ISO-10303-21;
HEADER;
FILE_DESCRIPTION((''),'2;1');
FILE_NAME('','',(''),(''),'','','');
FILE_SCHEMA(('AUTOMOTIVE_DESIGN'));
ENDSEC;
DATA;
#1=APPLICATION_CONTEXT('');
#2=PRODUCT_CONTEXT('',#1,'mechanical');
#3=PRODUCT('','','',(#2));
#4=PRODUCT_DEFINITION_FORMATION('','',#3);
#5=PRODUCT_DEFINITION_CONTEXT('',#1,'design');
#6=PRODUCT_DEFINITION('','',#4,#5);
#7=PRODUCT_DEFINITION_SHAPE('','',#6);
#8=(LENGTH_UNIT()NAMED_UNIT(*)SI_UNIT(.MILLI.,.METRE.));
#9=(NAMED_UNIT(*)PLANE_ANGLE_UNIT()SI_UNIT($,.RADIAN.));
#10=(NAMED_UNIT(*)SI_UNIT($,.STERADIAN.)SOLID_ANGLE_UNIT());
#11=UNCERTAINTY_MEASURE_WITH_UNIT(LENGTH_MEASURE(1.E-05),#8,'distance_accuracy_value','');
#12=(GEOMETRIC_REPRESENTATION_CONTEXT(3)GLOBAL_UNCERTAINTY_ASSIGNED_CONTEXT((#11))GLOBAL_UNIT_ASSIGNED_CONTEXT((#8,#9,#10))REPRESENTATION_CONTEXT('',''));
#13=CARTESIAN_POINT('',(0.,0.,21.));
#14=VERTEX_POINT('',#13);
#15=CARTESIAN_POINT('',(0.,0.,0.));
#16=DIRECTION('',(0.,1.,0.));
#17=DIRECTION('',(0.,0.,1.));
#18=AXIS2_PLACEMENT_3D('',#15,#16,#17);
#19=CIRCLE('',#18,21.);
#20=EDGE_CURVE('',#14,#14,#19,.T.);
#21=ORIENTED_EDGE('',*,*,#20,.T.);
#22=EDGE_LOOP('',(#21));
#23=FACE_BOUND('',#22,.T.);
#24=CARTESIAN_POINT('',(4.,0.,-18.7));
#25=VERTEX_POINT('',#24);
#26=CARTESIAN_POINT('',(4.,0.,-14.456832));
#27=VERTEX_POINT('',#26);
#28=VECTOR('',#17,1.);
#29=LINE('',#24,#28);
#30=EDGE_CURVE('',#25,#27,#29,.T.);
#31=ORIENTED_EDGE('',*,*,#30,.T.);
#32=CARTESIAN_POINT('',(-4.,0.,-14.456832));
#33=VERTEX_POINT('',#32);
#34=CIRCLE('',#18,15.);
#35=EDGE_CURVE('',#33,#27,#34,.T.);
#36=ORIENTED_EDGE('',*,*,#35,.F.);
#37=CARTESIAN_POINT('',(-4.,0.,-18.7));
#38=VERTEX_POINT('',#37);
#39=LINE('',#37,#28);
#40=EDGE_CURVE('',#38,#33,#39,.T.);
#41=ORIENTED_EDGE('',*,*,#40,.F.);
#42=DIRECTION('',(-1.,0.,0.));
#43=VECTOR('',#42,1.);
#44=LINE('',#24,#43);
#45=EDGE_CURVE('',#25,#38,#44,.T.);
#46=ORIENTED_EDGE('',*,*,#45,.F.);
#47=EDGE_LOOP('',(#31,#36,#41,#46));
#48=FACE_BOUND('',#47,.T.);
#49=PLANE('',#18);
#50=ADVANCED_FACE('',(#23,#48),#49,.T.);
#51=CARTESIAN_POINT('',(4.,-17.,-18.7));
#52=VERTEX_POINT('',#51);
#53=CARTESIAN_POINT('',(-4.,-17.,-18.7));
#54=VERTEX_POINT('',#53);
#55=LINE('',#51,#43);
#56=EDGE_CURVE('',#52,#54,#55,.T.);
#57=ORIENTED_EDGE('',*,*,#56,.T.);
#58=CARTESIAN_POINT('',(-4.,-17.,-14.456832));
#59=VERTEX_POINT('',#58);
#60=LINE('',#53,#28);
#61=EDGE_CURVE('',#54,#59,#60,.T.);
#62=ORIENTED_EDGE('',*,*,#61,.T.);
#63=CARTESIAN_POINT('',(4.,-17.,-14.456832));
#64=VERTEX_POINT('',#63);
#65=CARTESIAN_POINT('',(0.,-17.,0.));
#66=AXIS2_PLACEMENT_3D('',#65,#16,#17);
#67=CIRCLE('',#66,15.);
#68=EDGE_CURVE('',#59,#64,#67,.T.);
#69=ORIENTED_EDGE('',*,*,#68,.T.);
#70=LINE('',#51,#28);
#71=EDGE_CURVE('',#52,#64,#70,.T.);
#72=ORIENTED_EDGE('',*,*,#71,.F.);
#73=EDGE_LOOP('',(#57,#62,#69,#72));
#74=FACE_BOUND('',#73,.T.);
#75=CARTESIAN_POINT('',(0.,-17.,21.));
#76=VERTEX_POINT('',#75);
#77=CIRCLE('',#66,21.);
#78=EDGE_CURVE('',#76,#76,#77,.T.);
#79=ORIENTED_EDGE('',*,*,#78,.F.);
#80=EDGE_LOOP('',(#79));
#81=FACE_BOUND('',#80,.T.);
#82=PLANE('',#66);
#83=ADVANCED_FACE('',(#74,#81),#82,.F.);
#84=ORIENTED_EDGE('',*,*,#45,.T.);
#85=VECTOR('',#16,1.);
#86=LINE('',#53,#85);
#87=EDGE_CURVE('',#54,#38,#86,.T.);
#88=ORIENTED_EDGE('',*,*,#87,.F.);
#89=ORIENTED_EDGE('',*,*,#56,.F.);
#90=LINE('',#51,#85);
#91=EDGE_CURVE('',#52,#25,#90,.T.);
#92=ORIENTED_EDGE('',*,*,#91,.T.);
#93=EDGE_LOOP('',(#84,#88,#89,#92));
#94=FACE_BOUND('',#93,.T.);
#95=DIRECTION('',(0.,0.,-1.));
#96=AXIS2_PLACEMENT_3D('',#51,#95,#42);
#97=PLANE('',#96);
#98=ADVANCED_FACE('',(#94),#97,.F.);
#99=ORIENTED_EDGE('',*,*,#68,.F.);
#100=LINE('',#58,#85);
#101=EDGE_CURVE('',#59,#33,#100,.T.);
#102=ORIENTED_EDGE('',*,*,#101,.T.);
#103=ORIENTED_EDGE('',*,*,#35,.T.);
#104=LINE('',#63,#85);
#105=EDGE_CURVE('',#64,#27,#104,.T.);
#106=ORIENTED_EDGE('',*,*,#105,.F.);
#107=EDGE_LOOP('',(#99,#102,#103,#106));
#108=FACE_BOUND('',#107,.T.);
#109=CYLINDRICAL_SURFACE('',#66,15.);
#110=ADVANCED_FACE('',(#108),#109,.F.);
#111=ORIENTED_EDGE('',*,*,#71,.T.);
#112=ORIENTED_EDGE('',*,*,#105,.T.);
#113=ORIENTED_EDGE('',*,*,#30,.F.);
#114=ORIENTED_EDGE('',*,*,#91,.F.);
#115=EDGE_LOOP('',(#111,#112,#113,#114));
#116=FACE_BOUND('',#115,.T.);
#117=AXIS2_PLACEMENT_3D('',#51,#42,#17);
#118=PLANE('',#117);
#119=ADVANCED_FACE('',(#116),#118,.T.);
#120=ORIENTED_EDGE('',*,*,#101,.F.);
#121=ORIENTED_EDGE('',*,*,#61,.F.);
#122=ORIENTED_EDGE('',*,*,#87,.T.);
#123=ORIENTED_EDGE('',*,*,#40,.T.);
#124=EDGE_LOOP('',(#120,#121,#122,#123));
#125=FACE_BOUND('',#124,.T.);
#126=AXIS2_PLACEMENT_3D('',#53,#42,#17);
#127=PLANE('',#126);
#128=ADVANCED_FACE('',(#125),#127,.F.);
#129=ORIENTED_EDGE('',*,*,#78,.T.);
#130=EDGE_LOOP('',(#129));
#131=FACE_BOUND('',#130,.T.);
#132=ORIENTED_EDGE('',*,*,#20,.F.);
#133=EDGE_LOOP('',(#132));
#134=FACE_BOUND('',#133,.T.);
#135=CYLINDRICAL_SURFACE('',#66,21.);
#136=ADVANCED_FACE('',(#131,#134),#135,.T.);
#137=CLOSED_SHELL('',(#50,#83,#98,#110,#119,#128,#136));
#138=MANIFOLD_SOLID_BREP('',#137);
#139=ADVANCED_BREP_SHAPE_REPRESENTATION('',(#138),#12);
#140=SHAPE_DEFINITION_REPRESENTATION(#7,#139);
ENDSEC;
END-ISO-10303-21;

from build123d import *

# Parameters (mm, degrees)
SKETCH1_R           = 21
SKETCH1_R_2         = 15
BOSS_EXTRUDE1_DEPTH = 17
CUT_EXTRUDE1_DEPTH  = 35.219877265


with BuildPart() as part:
    # Sketch1 → Boss-Extrude1 (new body)
    with BuildSketch(Plane(origin=(0, 0, 0), x_dir=(1, 0, 0), z_dir=(0, 1, 0))):
        with Locations(Location((0, 0, 0), (0, 0, 270))):
            Circle(SKETCH1_R)
        with Locations(Location((0, 0, 0), (0, 0, 270))):
            Circle(SKETCH1_R_2, mode=Mode.SUBTRACT)
    extrude(amount=-BOSS_EXTRUDE1_DEPTH)

    # Sketch2 → Cut-Extrude1 (cut, through all)
    with BuildSketch(Plane(origin=(0, 0, 0), x_dir=(1, 0, 0), z_dir=(0, 1, 0))):
        with BuildLine():
            Line((4, 18.7), (-4, 18.7))
            Line((-4, 18.7), (-4, 14.456832295))
            ThreePointArc((-4, 14.456832295), (0, 15), (4, 14.456832295))
            Line((4, 14.456832295), (4, 18.7))
        make_face()
    extrude(amount=-CUT_EXTRUDE1_DEPTH, mode=Mode.SUBTRACT)


solid = part.part
